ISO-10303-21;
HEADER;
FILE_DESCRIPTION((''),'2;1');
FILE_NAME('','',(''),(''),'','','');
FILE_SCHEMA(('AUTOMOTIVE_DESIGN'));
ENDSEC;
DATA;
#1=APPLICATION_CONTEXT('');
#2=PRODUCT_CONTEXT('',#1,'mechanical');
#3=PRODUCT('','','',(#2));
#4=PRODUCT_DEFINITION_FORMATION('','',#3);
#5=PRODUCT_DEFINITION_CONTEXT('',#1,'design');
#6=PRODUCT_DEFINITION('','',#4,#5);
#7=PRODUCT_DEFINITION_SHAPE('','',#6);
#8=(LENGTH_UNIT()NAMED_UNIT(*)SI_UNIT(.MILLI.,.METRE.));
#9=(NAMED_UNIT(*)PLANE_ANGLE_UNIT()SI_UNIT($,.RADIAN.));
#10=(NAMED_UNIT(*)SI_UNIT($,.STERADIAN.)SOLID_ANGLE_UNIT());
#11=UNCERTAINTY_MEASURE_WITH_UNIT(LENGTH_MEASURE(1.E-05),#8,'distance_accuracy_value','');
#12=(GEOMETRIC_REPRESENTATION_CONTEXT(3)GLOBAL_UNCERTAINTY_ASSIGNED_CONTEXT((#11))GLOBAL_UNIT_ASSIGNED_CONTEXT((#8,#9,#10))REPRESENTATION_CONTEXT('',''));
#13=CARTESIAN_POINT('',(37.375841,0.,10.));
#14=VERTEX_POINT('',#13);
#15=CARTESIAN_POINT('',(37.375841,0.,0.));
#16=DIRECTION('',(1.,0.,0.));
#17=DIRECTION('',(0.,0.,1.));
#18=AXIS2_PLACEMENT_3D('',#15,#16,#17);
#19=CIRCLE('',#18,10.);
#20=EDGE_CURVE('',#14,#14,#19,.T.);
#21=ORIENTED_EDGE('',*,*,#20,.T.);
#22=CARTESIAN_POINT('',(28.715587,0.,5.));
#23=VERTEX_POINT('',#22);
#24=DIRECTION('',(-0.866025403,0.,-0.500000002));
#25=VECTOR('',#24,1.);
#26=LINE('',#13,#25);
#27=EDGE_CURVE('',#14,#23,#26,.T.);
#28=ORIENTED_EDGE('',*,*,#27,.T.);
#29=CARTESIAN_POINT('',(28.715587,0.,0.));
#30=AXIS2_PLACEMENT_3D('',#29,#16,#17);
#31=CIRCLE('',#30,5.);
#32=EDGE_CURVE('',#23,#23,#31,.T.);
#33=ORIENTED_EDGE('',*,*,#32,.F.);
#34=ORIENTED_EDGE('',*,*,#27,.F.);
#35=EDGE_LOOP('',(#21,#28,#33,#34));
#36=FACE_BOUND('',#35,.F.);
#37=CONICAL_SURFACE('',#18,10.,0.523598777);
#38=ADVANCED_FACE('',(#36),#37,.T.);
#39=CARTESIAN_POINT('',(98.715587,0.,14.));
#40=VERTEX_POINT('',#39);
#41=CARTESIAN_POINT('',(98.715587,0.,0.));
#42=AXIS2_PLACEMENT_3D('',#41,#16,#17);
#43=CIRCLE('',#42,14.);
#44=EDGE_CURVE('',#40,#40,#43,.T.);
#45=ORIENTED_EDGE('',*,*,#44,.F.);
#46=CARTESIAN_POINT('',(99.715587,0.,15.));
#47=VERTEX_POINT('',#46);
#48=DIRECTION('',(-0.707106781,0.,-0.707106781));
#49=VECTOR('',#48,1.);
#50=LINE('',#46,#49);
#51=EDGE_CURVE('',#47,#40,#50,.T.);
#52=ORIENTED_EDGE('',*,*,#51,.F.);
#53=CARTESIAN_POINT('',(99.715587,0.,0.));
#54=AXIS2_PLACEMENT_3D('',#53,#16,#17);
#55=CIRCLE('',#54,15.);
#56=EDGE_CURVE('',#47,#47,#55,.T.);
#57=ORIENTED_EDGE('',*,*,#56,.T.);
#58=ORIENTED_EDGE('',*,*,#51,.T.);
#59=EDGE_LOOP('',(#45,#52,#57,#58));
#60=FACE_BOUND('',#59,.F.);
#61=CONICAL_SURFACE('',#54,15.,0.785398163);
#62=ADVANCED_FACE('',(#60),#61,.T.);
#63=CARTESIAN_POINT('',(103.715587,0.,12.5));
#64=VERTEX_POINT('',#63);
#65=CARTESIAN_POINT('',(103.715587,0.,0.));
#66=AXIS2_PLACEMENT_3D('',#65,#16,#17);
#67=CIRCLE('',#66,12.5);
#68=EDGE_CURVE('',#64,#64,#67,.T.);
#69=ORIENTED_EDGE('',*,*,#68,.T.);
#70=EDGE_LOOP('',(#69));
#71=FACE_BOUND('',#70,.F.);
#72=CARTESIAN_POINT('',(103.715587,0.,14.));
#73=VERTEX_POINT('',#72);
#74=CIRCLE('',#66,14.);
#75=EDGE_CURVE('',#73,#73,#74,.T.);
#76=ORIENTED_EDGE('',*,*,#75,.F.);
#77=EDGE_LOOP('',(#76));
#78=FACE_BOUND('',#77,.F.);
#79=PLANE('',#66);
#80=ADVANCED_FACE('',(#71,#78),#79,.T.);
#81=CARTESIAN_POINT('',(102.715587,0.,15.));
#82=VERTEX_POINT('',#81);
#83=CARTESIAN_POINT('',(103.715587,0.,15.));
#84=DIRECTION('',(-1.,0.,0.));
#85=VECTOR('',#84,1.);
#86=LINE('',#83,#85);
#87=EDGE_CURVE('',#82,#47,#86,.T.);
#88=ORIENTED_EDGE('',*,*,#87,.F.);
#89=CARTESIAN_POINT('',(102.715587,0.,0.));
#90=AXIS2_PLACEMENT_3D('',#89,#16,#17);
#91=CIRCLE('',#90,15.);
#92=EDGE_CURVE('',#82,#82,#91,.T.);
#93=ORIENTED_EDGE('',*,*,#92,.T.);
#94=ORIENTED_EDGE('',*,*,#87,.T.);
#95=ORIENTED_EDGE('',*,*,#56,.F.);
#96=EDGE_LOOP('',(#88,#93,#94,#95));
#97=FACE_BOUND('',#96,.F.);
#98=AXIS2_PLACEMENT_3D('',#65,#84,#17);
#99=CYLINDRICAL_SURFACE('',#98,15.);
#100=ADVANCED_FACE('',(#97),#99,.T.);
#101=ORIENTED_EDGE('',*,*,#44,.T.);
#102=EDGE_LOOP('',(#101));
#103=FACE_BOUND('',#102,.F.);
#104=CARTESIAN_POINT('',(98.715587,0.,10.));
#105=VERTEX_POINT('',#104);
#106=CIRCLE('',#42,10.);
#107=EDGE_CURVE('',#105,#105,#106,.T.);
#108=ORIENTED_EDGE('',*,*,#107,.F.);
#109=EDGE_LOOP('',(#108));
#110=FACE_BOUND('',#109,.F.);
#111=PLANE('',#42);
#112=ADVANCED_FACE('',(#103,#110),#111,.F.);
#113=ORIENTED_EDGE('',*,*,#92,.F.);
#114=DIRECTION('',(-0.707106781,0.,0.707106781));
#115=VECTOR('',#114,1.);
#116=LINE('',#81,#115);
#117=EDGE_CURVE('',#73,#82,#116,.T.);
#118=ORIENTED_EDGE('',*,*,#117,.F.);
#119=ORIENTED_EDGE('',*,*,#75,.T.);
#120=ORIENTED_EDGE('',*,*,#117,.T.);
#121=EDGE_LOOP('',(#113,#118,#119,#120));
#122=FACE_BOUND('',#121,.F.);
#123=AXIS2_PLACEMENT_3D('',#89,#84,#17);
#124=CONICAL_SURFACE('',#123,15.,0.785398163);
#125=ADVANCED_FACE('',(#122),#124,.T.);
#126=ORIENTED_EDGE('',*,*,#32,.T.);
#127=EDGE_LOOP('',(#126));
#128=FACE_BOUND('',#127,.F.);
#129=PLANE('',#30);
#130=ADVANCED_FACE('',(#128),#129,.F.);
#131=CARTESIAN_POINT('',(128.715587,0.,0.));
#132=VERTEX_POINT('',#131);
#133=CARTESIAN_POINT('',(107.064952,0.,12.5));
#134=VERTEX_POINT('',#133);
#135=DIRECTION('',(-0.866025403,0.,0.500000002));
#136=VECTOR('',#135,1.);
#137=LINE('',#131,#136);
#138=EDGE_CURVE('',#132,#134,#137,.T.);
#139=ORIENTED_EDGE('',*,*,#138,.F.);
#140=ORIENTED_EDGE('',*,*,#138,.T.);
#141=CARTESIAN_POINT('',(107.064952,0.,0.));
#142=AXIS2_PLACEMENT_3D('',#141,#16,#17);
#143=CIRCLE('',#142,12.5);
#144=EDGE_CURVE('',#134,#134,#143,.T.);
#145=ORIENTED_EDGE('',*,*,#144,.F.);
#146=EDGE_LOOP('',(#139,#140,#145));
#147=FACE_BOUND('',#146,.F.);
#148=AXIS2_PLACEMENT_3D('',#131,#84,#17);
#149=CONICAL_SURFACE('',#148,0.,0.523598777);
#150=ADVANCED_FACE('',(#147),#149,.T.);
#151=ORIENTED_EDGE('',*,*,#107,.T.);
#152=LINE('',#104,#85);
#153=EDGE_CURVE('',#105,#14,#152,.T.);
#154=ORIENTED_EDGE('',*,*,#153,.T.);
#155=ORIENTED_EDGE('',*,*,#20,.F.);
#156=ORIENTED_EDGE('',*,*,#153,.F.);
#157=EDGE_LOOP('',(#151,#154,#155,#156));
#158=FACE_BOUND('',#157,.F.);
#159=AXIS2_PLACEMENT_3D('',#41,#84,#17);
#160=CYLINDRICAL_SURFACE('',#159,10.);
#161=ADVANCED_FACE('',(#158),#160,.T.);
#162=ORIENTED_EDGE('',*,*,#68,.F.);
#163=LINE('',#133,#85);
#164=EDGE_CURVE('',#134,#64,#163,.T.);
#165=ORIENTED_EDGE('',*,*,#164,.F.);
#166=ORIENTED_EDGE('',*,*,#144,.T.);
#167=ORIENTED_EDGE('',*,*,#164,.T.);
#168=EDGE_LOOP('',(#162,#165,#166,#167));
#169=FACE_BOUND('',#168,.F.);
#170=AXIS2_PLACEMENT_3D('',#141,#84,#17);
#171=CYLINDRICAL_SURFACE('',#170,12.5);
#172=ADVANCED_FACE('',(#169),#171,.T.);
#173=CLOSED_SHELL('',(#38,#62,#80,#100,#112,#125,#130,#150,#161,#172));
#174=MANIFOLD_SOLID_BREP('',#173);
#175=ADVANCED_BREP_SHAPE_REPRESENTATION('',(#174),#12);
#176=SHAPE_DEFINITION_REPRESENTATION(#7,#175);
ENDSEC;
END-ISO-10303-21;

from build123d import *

# Parameters (mm, degrees)
F2_SIZE = 1


with BuildPart() as f1:
    # F0 (on Front) → F1 (revolve)
    with BuildSketch(Plane.XZ):
        Polygon((37.375841, 10), (28.715587, 5), (28.715587, 0), (128.715587, 0), (107.064952, 12.5), (103.715587, 12.5), (103.715587, 15), (98.715587, 15), (98.715587, 10), align=None)
    revolve(axis=Axis((78.715587, 0, 0), (1, 0, 0)))

    # F2
    f2_edges = [f1.edges().sort_by_distance(p)[0] for p in [
        (103.715587, 0, -15),
        (98.715587, 0, -15),
    ]]
    chamfer(f2_edges, length=F2_SIZE)


solid = f1.part
